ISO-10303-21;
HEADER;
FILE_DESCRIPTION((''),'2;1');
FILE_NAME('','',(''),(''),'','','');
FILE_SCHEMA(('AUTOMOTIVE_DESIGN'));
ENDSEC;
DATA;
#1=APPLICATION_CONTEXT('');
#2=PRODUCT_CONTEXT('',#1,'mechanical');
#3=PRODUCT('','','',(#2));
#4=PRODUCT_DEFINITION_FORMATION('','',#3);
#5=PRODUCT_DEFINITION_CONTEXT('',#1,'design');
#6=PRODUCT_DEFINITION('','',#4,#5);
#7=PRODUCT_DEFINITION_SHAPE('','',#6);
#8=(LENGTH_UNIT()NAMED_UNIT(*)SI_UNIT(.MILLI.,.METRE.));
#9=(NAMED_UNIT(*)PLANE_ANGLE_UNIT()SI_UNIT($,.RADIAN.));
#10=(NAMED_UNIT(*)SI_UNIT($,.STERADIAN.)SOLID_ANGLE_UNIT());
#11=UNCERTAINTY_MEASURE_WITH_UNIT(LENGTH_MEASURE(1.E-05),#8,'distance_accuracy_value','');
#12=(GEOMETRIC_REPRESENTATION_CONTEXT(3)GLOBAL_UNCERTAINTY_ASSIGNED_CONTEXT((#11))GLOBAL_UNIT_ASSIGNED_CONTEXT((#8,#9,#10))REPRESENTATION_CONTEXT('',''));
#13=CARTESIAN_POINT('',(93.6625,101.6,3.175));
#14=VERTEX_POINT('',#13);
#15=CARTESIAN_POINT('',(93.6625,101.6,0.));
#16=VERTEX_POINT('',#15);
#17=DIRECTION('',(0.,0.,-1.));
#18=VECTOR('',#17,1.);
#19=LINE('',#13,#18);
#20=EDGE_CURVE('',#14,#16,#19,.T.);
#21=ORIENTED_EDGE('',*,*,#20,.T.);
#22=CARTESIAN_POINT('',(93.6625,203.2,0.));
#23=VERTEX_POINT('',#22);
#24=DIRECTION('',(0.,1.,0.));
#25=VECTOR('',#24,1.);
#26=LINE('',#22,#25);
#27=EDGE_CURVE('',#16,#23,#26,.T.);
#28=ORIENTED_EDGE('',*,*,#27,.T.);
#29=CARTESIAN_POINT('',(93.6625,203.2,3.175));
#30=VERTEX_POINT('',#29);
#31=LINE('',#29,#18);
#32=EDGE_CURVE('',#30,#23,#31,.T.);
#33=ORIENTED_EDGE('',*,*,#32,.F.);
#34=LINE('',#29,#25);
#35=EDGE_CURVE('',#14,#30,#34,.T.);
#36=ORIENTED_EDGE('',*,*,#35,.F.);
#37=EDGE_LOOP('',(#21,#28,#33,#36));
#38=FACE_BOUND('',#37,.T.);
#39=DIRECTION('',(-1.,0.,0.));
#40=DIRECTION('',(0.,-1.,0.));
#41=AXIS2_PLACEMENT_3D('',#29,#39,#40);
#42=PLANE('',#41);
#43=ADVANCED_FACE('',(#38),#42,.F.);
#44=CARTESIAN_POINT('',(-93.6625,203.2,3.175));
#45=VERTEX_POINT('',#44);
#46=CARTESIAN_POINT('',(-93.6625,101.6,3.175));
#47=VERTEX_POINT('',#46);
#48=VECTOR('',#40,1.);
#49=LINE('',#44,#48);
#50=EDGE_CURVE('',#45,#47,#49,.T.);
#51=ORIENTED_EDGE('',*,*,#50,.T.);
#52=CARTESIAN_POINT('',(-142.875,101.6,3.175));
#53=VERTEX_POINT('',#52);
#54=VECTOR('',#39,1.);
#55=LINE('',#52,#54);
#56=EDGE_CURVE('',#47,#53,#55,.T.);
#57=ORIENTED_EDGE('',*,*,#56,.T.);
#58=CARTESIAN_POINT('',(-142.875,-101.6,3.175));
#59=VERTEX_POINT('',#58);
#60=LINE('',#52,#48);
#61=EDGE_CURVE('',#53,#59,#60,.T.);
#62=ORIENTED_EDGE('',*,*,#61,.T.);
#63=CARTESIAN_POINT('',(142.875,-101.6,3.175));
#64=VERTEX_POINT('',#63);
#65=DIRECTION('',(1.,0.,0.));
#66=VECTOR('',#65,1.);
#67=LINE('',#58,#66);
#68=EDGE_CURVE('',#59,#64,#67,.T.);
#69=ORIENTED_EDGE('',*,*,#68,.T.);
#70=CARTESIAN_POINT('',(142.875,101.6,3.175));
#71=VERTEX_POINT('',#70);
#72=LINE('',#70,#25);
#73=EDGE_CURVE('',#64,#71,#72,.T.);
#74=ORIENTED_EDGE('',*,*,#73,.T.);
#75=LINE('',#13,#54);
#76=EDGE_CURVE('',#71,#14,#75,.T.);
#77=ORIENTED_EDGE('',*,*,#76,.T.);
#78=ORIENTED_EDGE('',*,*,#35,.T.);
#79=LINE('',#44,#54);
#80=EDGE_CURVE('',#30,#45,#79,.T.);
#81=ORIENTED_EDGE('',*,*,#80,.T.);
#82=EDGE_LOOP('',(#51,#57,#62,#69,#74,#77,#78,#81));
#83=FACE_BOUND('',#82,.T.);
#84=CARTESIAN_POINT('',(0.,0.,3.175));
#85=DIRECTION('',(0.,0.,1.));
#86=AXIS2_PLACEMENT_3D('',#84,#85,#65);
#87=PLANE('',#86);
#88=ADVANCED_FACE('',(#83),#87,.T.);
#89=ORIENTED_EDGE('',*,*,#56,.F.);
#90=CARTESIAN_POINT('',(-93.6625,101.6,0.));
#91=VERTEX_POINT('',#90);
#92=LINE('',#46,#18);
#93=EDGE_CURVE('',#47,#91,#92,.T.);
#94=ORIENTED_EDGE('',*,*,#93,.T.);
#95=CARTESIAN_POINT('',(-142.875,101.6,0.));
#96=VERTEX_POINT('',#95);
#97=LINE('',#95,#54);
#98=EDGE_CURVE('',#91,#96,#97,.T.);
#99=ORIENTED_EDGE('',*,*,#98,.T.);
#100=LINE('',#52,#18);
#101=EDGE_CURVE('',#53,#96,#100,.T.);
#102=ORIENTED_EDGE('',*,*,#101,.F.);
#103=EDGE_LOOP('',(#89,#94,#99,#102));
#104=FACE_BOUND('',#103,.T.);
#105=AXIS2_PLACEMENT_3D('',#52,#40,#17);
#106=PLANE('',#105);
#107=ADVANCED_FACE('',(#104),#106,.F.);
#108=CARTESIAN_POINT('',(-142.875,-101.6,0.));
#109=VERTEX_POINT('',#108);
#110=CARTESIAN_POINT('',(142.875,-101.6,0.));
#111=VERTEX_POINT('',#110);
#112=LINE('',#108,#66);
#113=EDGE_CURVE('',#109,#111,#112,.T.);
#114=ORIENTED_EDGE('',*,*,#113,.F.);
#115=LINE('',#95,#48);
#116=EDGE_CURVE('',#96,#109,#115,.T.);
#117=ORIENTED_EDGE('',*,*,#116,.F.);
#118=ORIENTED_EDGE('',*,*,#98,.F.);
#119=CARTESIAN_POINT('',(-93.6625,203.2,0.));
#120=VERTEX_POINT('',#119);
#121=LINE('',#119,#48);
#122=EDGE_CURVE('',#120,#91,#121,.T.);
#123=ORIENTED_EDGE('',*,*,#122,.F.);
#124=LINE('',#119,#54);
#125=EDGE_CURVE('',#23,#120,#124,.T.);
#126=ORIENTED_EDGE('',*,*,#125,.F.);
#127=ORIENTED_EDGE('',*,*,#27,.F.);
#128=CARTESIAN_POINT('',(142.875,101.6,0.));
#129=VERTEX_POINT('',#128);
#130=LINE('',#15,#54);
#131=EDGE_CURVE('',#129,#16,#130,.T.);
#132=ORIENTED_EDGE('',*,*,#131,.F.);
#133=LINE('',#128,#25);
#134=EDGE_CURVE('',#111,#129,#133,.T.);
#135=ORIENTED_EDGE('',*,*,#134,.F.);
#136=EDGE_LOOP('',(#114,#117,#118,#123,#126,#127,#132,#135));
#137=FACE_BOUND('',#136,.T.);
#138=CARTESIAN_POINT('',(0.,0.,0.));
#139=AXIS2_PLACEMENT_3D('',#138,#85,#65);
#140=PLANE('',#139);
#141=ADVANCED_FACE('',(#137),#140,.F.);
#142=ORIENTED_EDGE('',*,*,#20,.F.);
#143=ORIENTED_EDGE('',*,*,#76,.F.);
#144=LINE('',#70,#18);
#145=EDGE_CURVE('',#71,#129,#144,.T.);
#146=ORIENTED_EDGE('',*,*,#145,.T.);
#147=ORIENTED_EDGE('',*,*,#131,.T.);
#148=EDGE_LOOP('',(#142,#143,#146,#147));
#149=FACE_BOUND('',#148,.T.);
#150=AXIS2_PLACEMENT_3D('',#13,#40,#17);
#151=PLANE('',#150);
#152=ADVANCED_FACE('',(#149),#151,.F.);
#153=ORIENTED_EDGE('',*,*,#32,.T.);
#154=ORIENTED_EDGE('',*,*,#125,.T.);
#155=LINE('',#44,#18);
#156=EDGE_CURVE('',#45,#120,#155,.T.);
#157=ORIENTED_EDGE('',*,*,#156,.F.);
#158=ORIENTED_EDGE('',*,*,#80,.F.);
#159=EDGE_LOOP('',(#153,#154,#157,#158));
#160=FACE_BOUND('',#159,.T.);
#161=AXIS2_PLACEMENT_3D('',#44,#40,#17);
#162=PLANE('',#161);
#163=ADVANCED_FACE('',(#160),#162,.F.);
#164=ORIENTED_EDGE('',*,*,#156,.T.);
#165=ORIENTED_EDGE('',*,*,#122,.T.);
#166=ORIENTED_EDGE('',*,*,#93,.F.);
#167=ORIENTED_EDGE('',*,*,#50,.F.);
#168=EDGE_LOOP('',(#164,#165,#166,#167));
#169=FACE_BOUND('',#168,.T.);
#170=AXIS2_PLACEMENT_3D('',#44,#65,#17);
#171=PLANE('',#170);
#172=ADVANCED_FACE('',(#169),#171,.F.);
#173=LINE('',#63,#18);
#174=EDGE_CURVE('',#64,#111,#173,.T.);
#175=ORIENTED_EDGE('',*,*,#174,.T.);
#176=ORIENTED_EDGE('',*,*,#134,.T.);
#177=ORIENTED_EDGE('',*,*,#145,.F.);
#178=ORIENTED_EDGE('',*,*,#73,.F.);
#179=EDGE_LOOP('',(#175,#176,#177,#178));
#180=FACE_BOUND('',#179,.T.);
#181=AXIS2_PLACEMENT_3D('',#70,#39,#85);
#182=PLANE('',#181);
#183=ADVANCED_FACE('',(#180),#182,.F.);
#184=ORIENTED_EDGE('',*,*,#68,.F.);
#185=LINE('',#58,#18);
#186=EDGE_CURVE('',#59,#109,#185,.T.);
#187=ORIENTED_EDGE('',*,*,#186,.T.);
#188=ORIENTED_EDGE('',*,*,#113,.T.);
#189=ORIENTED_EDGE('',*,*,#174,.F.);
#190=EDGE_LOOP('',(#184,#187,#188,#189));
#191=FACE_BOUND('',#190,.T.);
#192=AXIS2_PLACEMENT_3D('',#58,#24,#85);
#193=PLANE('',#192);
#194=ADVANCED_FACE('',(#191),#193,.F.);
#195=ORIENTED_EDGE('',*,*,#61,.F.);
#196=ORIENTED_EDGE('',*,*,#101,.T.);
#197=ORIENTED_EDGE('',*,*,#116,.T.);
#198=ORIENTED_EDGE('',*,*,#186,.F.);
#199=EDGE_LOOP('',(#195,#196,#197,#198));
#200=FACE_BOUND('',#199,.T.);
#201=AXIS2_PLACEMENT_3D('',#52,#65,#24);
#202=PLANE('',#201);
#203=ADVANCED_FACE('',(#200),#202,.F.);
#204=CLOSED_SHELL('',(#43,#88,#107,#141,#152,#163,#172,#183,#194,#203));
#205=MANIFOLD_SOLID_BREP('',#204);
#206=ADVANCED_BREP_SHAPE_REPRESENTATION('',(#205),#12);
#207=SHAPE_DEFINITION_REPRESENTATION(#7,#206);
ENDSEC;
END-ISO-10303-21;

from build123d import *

# Parameters (mm, degrees)
BOSS_EXTRUDE1_DEPTH = 3.175


with BuildPart() as part:
    # Sketch1 → Boss-Extrude1 (new body)
    with BuildSketch(Plane.XY):
        Polygon((93.6625, 101.6), (142.875, 101.6), (142.875, -101.6), (-142.875, -101.6), (-142.875, 101.6), (-93.6625, 101.6), (-93.6625, 203.2), (93.6625, 203.2), align=None)
    extrude(amount=BOSS_EXTRUDE1_DEPTH)


solid = part.part
